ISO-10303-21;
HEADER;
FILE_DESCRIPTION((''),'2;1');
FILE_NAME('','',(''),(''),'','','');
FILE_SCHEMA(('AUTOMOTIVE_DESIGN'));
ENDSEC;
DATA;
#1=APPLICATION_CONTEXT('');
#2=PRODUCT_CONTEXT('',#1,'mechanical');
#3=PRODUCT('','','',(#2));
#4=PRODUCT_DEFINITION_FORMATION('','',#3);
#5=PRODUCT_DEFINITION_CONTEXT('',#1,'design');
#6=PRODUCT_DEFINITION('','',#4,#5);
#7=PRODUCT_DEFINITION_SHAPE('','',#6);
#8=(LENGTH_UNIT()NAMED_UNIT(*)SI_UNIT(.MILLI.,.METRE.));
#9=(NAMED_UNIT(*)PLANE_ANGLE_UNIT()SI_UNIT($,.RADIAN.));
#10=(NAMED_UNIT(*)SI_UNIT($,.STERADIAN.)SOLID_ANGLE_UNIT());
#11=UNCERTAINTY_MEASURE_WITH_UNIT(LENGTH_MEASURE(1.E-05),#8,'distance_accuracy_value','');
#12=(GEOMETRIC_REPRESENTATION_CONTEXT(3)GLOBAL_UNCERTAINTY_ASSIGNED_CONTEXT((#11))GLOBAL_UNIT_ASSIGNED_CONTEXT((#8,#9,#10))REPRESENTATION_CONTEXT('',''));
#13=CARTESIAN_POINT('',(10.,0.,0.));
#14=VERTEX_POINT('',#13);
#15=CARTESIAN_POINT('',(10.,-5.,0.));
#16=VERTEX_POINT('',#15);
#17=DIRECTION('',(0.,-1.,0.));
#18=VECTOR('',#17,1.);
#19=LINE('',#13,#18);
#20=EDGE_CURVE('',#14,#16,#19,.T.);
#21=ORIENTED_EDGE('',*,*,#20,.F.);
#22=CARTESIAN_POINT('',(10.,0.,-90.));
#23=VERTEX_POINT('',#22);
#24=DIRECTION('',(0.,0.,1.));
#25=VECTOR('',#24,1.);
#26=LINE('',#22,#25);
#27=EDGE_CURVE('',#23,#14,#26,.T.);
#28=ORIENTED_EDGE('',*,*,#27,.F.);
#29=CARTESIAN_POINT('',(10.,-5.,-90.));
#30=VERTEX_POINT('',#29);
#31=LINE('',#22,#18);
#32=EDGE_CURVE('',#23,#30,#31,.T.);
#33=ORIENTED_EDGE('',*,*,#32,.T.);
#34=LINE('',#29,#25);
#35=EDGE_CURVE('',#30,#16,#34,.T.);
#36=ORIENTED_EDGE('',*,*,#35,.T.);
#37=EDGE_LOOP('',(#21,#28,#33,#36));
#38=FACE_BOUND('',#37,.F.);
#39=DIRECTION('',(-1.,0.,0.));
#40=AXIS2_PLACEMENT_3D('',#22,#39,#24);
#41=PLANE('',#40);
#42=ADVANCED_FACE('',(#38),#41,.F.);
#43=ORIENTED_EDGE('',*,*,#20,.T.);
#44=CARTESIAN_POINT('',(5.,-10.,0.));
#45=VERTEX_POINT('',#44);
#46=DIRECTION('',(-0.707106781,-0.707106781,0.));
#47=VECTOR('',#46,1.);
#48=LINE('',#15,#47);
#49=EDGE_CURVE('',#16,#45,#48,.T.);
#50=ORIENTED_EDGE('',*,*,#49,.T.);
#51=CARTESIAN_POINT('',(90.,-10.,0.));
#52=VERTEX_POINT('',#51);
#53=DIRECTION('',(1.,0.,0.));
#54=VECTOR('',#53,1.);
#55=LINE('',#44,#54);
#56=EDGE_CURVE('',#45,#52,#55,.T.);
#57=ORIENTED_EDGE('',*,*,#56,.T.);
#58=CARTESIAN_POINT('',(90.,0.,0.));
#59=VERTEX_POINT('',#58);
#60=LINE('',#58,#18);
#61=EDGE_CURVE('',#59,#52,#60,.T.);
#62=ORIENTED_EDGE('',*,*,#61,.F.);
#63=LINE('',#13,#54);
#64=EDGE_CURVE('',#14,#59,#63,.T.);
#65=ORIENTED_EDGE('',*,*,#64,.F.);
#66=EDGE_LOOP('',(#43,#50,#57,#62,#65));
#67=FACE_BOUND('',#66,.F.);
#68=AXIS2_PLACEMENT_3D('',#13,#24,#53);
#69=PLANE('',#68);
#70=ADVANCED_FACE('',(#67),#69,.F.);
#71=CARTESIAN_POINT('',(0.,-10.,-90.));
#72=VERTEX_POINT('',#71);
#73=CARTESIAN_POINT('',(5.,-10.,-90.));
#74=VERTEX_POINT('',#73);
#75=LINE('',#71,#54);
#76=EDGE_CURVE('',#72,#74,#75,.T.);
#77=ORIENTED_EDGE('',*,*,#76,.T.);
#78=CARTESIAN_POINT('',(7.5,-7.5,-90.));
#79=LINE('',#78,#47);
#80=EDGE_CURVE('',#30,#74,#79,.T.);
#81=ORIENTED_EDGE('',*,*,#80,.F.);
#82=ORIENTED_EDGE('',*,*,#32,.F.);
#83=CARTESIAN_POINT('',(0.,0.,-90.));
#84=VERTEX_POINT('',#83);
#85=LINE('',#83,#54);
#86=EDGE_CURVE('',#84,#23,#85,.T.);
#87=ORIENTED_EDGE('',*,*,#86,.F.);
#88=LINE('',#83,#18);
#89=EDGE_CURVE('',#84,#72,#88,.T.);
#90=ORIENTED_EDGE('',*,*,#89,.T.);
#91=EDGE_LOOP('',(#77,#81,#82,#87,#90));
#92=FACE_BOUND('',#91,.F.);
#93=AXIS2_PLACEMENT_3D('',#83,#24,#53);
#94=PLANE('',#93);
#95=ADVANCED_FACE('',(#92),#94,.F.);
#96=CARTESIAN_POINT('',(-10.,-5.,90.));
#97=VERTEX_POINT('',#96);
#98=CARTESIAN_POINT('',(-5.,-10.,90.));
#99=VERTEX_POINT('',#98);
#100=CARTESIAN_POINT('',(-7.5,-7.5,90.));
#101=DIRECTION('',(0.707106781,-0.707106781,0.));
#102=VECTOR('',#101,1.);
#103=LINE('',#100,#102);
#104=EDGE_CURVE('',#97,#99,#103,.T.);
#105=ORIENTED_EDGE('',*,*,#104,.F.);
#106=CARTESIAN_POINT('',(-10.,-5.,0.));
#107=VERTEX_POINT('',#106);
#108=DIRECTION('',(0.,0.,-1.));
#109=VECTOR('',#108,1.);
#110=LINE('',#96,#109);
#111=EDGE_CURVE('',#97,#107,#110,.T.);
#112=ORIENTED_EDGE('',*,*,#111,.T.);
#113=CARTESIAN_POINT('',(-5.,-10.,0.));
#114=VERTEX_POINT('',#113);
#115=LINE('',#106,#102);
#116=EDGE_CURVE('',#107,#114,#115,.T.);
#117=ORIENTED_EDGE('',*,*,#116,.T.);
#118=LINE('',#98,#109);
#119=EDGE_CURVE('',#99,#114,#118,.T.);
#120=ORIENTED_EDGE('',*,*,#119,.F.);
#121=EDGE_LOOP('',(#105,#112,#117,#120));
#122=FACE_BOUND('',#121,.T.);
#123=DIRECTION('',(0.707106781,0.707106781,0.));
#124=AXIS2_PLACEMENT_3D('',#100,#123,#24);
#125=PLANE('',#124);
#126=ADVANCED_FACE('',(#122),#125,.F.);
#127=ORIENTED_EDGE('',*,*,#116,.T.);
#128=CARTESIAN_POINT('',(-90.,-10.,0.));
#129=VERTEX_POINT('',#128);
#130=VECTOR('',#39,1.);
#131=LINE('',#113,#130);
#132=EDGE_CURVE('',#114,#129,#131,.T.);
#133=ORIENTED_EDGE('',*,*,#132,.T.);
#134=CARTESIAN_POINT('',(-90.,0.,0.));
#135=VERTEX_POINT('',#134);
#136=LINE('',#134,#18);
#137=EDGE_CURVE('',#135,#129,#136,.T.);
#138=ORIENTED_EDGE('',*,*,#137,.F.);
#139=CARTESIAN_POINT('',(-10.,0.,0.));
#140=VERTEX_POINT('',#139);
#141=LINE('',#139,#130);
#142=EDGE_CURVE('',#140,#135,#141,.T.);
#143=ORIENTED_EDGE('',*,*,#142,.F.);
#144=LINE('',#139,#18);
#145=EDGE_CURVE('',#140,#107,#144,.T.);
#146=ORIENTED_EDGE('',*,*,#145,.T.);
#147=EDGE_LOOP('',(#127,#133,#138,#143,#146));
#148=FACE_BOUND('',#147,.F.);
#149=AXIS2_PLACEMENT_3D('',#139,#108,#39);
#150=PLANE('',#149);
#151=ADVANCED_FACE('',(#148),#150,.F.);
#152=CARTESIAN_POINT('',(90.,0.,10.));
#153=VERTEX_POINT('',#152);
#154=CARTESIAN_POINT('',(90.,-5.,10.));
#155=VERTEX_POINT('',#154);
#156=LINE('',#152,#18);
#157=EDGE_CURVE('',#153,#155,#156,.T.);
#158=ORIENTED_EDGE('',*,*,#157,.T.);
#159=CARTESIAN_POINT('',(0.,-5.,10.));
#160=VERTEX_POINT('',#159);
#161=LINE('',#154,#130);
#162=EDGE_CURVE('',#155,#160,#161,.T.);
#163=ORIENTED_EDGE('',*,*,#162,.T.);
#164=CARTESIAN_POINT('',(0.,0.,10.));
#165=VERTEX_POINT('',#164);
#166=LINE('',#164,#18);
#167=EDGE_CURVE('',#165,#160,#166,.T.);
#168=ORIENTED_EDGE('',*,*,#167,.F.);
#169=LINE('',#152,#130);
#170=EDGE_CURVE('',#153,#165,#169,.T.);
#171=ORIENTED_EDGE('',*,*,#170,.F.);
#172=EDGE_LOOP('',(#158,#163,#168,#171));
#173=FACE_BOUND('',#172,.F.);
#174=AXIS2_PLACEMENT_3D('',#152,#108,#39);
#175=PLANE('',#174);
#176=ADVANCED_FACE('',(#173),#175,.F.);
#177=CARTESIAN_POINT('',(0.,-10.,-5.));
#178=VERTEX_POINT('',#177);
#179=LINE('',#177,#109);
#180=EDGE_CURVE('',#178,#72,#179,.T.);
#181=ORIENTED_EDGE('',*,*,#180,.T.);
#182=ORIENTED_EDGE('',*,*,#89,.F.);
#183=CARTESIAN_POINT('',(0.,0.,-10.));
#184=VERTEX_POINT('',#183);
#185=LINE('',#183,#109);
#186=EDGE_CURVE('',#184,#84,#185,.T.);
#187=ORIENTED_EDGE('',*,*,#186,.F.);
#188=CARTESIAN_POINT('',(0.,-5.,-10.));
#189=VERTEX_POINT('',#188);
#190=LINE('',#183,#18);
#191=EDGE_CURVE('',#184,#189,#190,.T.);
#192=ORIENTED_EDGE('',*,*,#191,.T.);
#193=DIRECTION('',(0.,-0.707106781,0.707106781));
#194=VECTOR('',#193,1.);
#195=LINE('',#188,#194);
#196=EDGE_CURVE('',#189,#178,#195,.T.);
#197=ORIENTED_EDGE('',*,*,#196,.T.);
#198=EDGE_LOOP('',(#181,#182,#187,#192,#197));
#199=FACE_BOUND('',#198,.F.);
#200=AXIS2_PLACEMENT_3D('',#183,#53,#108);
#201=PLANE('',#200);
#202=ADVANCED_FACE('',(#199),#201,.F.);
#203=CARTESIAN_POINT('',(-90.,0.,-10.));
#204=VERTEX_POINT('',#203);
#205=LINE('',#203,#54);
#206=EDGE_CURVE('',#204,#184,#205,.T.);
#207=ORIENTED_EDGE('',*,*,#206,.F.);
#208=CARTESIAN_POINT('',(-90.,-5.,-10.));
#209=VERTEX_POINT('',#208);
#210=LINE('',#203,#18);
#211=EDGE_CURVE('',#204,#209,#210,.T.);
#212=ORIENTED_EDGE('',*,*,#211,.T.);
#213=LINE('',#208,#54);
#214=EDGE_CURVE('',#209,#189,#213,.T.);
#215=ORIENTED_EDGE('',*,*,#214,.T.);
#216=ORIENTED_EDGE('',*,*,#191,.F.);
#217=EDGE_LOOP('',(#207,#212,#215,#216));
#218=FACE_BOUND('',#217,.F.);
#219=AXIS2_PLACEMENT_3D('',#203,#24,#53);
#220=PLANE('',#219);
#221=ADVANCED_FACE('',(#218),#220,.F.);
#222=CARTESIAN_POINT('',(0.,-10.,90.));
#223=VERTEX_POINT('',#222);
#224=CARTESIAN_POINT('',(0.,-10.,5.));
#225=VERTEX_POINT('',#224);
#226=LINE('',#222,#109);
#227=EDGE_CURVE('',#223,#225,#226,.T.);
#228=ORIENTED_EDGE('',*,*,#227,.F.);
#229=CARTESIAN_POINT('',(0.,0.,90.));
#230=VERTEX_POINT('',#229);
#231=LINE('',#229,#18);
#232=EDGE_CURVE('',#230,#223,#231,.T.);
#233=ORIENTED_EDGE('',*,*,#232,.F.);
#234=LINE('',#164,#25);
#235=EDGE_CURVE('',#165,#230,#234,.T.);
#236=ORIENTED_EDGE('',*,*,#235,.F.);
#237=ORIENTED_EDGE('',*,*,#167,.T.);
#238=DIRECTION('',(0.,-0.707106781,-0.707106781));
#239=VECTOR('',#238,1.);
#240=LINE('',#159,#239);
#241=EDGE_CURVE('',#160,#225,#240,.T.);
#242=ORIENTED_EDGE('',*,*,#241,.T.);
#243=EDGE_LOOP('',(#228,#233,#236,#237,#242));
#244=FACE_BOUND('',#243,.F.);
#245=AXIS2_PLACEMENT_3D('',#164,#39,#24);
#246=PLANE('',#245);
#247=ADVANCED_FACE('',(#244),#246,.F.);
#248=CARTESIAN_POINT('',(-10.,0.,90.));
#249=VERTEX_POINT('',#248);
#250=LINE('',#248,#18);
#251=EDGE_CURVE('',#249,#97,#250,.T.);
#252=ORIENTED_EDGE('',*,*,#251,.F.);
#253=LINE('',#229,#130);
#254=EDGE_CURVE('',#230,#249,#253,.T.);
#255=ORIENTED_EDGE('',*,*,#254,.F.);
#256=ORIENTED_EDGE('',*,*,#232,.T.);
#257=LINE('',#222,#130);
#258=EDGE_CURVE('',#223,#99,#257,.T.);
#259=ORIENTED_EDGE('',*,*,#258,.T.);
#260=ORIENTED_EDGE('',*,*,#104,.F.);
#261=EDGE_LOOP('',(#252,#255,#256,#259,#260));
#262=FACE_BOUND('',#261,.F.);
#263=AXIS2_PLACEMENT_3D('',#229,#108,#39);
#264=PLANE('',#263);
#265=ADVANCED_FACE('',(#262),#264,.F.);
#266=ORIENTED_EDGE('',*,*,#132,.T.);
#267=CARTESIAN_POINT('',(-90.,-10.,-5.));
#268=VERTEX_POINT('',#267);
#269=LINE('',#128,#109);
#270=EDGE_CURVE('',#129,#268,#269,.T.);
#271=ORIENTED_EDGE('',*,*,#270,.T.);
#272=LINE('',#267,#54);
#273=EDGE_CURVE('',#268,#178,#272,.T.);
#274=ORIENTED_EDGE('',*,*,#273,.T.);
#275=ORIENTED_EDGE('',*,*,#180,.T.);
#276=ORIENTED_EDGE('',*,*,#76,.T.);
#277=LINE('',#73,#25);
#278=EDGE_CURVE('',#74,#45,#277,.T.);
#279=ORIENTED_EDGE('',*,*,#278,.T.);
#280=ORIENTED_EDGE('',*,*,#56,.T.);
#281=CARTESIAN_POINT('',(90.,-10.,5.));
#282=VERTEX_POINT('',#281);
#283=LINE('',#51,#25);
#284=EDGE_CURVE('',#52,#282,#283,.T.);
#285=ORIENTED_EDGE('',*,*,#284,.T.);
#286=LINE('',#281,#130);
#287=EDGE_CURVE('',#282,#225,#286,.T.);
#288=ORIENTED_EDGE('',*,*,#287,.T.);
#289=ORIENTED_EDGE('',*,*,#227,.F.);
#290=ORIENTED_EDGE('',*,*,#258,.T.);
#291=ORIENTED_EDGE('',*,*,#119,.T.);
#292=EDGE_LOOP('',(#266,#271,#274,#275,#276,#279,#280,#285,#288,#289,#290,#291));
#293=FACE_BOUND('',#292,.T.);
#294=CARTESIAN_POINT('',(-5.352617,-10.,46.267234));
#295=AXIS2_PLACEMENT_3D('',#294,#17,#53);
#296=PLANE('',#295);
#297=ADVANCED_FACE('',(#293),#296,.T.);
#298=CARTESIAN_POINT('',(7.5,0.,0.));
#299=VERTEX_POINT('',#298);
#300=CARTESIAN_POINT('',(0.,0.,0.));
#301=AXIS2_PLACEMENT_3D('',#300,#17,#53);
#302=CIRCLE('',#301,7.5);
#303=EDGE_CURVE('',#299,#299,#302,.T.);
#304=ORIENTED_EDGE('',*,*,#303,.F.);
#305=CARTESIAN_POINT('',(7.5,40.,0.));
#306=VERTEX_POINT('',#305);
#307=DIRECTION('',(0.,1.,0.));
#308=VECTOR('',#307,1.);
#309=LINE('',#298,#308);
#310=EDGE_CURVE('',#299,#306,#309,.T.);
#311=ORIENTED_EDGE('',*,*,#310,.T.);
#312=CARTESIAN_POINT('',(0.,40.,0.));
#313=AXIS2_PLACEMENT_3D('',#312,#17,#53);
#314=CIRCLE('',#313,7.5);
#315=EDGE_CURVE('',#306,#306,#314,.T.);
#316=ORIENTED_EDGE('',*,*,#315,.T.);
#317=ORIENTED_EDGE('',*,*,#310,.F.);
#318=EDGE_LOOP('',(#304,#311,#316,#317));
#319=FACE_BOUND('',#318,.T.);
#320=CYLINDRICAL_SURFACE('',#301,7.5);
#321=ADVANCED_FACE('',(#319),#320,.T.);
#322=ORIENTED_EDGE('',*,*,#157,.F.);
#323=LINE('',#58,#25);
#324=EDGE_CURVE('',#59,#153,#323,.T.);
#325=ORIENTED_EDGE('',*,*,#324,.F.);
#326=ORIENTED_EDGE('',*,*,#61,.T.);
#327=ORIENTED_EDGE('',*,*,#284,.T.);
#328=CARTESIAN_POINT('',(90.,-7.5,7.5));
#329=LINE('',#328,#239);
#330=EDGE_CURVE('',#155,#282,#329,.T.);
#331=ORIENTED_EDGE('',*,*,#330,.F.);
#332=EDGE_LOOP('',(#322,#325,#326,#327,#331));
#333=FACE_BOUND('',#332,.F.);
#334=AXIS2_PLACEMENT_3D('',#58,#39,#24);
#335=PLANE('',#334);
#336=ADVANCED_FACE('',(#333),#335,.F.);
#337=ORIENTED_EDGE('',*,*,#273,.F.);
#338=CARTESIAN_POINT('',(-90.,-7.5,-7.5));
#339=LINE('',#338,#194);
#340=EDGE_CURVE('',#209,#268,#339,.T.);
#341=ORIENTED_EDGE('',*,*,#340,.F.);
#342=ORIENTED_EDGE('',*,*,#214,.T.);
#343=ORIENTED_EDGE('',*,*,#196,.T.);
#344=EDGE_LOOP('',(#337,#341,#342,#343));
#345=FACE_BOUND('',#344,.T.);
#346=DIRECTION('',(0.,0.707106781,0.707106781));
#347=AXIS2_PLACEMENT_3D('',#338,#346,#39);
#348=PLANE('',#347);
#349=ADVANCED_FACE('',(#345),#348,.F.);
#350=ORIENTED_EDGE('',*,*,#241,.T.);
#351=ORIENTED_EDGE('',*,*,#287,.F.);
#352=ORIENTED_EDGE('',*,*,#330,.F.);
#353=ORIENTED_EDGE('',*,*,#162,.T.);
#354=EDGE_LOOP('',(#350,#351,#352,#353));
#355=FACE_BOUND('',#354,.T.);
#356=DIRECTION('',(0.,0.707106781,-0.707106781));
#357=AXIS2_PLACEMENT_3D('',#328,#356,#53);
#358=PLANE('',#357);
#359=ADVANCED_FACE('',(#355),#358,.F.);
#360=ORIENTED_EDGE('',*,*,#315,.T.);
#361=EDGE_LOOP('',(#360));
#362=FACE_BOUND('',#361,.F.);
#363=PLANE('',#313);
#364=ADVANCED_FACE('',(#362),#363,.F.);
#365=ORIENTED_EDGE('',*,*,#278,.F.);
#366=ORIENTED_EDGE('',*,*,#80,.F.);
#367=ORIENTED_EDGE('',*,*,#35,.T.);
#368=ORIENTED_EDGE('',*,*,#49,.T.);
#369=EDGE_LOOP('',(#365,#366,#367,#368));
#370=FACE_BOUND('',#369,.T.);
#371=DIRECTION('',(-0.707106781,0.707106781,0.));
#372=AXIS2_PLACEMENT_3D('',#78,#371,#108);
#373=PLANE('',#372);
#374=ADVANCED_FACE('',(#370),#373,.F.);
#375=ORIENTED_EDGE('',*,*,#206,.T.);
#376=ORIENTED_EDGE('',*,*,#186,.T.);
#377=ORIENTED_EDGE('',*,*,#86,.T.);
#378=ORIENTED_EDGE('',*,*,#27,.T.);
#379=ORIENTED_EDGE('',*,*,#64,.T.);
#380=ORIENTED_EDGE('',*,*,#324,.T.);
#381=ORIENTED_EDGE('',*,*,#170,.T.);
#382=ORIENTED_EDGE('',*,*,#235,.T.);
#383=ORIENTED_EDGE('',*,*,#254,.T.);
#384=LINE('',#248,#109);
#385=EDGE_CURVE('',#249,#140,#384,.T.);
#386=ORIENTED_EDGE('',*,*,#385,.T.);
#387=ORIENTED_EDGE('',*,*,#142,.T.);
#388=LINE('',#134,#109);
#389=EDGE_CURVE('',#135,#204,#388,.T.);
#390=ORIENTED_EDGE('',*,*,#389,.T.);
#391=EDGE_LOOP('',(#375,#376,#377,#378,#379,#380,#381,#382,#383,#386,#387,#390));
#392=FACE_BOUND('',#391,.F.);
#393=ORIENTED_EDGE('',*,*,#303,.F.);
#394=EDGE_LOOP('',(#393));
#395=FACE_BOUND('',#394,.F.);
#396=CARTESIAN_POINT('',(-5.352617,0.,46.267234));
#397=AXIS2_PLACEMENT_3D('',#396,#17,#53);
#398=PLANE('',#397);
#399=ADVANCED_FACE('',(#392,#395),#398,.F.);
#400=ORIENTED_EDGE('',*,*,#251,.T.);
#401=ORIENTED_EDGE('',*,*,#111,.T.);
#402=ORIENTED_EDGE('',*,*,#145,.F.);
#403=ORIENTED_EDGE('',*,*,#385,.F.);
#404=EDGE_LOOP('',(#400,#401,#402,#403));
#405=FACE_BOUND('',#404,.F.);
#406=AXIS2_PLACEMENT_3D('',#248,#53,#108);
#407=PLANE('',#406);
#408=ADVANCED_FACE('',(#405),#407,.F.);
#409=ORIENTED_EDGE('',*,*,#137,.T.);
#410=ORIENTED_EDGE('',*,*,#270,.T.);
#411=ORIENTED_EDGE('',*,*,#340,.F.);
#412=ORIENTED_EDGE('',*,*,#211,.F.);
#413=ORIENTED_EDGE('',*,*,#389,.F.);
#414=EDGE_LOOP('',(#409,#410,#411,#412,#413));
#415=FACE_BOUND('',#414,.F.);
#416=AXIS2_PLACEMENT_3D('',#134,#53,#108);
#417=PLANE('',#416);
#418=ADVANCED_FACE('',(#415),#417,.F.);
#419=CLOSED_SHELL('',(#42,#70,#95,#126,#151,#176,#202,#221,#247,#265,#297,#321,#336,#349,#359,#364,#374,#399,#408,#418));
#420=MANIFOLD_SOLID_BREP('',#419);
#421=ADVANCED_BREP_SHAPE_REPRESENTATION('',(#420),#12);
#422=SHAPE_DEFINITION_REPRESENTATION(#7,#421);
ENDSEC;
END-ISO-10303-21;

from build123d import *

# Parameters (mm, degrees)
F1_DEPTH = 10
F2_SIZE  = 5
F3_R     = 7.5
F4_DEPTH = 40


with BuildPart() as f1:
    # F0 (on Front) → F1 (new body)
    with BuildSketch(Plane.XZ):
        with BuildLine():
            ThreePointArc((-10, 0), (-7.0710678119, 7.0710678119), (0, 10))
            Line((0, 10), (0, 90))
            Line((0, 90), (-10, 90))
            Line((-10, 90), (-10, 0))
        make_face()
        with BuildLine():
            ThreePointArc((0, -10), (-7.0710678119, -7.0710678119), (-10, 0))
            Line((-10, 0), (-90, 0))
            Line((-90, 0), (-90, -10))
            Line((-90, -10), (0, -10))
        make_face()
        with BuildLine():
            Line((10, -90), (10, 0))
            ThreePointArc((10, 0), (7.0710678119, -7.0710678119), (0, -10))
            Line((0, -10), (0, -90))
            Line((0, -90), (10, -90))
        make_face()
        with BuildLine():
            Line((0, 10), (0, 0))
            Line((0, 0), (10, 0))
            ThreePointArc((10, 0), (7.0710678119, 7.0710678119), (0, 10))
        make_face()
        with BuildLine():
            Line((10, 0), (0, 0))
            Line((0, 0), (0, -10))
            ThreePointArc((0, -10), (7.0710678119, -7.0710678119), (10, 0))
        make_face()
        with BuildLine():
            Line((-10, 0), (0, 0))
            Line((0, 0), (0, 10))
            ThreePointArc((0, 10), (-7.0710678119, 7.0710678119), (-10, 0))
        make_face()
        with BuildLine():
            Line((0, -10), (0, 0))
            Line((0, 0), (-10, 0))
            ThreePointArc((-10, 0), (-7.0710678119, -7.0710678119), (0, -10))
        make_face()
        with BuildLine():
            ThreePointArc((0, 10), (7.0710678119, 7.0710678119), (10, 0))
            Line((10, 0), (90, 0))
            Line((90, 0), (90, 10))
            Line((90, 10), (0, 10))
        make_face()
    extrude(amount=F1_DEPTH)

    # F2
    f2_edges = [f1.edges().sort_by_distance(p)[0] for p in [
        (-10, -10, 45),
        (-45, -10, -10),
        (10, -10, -45),
        (45, -10, 10),
    ]]
    chamfer(f2_edges, length=F2_SIZE)

    # F3 (on Front) → F4 (join)
    with BuildSketch(Plane.XZ):
        Circle(F3_R)
    extrude(amount=-F4_DEPTH)


solid = f1.part
